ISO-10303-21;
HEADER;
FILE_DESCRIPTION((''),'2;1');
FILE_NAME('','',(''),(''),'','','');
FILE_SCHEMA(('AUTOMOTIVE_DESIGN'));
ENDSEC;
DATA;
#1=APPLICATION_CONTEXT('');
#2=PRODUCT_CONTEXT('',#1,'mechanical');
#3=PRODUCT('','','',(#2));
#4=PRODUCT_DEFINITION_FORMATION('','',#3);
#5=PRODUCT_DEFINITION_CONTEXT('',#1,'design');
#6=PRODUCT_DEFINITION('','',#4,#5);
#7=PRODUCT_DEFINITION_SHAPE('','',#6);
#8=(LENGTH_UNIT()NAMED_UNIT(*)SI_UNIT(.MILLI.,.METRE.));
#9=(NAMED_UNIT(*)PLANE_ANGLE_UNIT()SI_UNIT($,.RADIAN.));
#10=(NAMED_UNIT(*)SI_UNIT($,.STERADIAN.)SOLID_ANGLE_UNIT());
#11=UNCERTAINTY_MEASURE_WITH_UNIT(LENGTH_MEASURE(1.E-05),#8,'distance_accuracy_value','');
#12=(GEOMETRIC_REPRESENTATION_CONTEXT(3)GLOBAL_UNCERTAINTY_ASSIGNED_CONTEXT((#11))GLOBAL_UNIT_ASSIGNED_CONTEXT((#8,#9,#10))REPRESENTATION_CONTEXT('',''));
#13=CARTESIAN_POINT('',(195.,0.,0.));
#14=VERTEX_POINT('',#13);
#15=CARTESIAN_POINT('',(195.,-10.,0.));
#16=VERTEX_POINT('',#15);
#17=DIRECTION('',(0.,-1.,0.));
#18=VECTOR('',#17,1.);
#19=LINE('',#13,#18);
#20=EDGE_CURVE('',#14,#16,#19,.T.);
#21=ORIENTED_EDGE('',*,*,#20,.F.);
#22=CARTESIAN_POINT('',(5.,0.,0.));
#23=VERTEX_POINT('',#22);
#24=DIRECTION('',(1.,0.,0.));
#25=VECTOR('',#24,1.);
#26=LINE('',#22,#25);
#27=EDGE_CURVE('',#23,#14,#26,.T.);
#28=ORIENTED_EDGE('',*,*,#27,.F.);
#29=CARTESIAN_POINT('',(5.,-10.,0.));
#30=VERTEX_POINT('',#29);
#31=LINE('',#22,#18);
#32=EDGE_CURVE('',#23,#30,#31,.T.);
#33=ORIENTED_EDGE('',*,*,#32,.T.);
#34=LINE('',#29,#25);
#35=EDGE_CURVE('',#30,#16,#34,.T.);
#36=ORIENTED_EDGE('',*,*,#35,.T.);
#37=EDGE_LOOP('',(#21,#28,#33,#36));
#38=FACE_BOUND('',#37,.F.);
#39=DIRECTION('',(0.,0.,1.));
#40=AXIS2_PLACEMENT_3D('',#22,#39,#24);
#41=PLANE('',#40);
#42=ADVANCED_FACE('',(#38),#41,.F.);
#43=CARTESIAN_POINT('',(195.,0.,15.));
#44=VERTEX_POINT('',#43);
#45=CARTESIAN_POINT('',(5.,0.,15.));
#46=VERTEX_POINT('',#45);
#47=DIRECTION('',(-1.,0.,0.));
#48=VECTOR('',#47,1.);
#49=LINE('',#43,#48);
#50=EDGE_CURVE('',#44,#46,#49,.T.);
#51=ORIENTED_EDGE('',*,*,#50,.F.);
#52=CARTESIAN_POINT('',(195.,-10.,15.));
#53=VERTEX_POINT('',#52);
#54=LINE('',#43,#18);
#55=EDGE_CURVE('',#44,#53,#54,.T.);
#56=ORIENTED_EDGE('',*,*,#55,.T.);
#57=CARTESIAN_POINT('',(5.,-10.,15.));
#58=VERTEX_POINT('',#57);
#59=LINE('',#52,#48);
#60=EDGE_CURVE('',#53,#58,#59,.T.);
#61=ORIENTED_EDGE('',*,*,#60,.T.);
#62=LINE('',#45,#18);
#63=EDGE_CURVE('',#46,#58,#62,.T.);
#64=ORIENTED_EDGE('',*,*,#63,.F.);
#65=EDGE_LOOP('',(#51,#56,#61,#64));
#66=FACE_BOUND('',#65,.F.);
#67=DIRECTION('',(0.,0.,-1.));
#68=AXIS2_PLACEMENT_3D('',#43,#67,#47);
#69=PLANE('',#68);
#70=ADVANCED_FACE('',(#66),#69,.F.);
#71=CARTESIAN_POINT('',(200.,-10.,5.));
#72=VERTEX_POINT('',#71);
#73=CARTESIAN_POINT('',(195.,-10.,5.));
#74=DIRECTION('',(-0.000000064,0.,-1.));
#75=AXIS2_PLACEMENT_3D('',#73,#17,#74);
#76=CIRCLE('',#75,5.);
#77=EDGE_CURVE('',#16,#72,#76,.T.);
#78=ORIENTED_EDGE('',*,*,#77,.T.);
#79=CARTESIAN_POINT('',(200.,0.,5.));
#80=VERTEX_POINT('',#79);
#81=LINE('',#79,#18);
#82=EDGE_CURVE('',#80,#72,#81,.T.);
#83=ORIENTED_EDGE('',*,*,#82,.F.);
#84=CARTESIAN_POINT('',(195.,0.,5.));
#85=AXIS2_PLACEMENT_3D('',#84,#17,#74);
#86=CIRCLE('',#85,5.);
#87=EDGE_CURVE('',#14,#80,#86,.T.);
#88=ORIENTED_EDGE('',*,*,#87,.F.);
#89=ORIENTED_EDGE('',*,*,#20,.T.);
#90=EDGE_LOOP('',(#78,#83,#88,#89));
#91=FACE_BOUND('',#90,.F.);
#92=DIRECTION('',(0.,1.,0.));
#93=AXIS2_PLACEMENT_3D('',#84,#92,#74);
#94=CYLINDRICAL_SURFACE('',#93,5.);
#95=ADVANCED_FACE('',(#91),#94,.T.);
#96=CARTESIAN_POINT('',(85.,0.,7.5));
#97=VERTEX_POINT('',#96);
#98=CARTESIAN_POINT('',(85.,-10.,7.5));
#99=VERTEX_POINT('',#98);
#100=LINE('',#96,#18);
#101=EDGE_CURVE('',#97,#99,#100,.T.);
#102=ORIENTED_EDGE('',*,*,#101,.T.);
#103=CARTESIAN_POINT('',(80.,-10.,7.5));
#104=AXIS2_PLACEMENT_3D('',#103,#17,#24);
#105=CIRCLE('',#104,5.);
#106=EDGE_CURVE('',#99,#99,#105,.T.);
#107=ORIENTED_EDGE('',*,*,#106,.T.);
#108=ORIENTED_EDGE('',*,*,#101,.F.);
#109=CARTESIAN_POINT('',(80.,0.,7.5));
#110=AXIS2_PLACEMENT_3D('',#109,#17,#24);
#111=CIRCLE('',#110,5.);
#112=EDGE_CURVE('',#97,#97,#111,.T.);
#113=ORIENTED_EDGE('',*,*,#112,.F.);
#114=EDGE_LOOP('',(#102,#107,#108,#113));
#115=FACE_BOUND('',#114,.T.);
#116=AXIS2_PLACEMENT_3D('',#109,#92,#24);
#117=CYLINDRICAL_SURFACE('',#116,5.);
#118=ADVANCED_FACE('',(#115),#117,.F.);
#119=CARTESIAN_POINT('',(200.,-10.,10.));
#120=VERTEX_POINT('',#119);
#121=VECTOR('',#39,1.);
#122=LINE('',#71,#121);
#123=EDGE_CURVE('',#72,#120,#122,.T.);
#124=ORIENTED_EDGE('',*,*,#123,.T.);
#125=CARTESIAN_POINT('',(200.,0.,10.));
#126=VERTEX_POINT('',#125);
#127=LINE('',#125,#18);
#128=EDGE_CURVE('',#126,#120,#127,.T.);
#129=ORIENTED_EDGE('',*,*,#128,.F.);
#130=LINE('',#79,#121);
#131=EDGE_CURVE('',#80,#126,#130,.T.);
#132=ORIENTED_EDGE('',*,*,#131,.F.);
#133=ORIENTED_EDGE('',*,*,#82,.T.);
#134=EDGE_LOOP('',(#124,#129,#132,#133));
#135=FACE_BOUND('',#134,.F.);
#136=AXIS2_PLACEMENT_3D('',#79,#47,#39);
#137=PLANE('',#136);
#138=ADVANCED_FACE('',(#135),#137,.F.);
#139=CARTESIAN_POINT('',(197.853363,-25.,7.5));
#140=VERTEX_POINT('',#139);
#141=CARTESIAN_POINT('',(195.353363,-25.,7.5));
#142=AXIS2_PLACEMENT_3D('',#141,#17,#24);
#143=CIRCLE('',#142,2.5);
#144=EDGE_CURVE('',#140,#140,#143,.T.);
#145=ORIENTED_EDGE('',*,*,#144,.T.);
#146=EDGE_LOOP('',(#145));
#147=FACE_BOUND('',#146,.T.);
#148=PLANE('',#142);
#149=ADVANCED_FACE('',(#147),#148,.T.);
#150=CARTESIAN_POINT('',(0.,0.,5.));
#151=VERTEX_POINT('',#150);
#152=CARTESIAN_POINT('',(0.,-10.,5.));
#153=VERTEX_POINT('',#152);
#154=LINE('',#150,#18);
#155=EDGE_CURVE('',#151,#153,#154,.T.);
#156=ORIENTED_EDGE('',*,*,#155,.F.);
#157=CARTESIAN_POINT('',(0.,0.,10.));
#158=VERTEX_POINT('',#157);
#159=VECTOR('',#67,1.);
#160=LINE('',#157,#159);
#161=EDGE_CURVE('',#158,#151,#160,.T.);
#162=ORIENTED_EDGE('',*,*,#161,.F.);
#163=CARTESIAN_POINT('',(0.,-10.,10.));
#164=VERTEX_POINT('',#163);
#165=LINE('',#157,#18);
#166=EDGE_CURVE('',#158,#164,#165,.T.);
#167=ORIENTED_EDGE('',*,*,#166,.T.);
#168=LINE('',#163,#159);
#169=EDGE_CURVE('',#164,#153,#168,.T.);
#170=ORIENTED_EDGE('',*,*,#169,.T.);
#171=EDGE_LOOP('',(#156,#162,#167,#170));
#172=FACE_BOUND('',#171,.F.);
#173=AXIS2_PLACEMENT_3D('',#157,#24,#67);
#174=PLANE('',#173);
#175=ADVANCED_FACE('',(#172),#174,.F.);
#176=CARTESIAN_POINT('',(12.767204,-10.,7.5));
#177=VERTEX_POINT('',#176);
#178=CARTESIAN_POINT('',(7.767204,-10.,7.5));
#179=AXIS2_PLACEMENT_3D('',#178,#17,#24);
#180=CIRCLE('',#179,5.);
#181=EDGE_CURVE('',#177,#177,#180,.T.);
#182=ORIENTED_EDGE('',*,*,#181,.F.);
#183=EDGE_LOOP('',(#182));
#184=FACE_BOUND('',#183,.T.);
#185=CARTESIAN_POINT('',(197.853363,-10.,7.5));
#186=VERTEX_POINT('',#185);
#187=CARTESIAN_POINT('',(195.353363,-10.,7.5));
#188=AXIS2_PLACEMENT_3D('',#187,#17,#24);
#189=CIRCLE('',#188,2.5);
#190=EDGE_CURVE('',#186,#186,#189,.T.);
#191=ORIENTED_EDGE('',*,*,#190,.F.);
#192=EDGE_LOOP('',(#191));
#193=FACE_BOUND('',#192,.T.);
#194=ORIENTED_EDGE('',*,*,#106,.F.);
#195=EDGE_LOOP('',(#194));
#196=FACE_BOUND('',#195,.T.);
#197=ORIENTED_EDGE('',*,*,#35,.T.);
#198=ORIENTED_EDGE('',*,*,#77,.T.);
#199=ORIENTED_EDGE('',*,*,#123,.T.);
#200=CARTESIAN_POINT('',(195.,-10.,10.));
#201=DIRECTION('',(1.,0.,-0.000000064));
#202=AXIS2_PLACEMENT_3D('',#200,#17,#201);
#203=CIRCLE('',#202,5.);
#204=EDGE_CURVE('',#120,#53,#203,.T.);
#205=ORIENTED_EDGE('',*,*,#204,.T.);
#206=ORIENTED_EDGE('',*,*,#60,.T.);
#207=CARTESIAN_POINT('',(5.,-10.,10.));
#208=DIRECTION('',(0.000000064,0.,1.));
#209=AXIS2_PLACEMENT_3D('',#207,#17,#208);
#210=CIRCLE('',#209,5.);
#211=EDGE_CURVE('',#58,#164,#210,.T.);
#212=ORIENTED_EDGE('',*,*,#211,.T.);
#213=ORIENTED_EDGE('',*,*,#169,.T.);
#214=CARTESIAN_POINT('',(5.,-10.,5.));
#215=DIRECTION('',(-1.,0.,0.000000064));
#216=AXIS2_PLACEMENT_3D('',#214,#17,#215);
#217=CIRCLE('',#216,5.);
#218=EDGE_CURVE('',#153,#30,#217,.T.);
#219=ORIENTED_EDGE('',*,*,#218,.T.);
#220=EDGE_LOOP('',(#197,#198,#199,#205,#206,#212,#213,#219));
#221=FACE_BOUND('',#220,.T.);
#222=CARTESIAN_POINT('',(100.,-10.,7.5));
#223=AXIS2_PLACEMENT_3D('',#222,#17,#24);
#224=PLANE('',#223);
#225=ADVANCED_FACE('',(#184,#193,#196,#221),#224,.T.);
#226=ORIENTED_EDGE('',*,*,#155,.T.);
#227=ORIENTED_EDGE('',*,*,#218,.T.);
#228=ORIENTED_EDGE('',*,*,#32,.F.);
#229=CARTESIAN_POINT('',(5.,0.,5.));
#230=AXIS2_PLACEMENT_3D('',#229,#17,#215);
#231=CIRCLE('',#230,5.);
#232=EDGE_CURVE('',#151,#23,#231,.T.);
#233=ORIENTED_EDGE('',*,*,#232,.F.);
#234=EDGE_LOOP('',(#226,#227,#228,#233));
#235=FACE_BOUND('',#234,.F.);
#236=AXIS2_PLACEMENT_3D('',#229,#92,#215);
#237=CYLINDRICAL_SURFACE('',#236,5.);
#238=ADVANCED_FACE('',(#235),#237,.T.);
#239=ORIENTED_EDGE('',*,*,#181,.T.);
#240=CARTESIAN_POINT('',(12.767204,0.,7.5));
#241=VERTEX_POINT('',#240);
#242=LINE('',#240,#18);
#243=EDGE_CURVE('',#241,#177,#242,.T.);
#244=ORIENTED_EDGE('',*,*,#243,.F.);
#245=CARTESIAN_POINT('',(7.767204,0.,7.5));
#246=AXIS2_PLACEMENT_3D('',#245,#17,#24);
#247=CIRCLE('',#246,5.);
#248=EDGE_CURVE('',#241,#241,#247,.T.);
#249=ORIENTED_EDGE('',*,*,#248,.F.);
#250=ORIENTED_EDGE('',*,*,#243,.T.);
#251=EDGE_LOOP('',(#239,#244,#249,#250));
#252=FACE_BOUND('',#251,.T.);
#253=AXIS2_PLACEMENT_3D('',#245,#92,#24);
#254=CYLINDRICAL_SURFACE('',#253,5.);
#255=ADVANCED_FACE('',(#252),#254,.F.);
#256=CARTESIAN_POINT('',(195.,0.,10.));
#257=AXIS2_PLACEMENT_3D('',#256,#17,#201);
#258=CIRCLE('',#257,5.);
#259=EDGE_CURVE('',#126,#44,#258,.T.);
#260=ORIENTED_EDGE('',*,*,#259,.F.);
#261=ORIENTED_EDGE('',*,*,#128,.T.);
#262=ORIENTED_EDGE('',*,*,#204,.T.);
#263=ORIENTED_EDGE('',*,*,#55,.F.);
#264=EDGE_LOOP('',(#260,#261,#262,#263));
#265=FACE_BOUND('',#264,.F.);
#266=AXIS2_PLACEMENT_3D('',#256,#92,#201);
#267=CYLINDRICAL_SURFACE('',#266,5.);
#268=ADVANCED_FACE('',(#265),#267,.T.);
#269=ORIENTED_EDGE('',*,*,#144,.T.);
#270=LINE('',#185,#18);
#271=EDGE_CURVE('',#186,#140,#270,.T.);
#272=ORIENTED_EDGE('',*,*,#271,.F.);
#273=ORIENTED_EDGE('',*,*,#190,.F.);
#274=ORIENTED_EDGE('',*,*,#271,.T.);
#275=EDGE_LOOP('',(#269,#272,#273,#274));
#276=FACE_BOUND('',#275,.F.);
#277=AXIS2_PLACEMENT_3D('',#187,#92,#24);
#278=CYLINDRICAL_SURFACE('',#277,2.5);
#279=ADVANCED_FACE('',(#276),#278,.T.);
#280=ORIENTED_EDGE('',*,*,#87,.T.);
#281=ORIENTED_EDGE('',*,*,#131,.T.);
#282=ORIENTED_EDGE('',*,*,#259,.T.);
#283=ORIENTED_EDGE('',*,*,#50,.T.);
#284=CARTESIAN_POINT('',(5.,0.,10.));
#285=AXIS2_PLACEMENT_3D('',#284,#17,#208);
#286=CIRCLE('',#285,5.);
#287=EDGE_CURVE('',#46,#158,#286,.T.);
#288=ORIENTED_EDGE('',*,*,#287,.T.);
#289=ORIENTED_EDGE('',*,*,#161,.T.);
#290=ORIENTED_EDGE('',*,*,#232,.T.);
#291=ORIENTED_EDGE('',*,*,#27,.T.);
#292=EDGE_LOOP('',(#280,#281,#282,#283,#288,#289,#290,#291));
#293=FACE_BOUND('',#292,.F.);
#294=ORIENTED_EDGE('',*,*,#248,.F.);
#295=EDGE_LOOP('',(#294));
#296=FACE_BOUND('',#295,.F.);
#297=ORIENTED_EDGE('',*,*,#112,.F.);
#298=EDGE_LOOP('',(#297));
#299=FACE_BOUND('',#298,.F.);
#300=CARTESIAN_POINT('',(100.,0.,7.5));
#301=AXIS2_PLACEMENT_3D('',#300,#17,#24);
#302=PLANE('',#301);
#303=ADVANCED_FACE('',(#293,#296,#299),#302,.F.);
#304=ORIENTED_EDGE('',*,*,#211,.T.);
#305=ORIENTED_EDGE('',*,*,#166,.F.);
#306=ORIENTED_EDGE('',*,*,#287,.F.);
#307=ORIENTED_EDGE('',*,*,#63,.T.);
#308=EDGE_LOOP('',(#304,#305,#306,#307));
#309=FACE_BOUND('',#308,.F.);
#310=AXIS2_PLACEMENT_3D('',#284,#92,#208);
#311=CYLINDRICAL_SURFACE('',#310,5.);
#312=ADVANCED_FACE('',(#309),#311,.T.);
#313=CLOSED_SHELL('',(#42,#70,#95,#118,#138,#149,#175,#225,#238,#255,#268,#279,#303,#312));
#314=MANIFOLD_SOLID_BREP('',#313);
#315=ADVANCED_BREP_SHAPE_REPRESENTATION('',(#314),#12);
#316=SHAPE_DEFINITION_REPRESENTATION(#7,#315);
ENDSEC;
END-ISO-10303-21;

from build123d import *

# Parameters (mm, degrees)
F0_R     = 5
F1_DEPTH = 10
F2_R     = 2.5
F3_DEPTH = 15


with BuildPart() as f1:
    # F0 (on Front) → F1 (new body)
    with BuildSketch(Plane.XZ):
        with BuildLine():
            ThreePointArc((0, 5), (1.464466, 1.464466), (5, 0))
            Line((5, 0), (195, 0))
            ThreePointArc((195, 0), (198.535534, 1.464466), (200, 5))
            Line((200, 5), (200, 10))
            ThreePointArc((200, 10), (198.535534, 13.535534), (195, 15))
            Line((195, 15), (5, 15))
            ThreePointArc((5, 15), (1.464466, 13.535534), (0, 10))
            Line((0, 10), (0, 5))
        make_face()
        with Locations((7.767204, 7.5)):
            Circle(F0_R, mode=Mode.SUBTRACT)
        with Locations((80, 7.5)):
            Circle(F0_R, mode=Mode.SUBTRACT)
    extrude(amount=F1_DEPTH)

    # F2 (on face) → F3 (join)
    with BuildSketch(Plane.XZ.offset(10)):
        with Locations((195.353363, 7.5)):
            Circle(F2_R)
    extrude(amount=F3_DEPTH)


solid = f1.part
